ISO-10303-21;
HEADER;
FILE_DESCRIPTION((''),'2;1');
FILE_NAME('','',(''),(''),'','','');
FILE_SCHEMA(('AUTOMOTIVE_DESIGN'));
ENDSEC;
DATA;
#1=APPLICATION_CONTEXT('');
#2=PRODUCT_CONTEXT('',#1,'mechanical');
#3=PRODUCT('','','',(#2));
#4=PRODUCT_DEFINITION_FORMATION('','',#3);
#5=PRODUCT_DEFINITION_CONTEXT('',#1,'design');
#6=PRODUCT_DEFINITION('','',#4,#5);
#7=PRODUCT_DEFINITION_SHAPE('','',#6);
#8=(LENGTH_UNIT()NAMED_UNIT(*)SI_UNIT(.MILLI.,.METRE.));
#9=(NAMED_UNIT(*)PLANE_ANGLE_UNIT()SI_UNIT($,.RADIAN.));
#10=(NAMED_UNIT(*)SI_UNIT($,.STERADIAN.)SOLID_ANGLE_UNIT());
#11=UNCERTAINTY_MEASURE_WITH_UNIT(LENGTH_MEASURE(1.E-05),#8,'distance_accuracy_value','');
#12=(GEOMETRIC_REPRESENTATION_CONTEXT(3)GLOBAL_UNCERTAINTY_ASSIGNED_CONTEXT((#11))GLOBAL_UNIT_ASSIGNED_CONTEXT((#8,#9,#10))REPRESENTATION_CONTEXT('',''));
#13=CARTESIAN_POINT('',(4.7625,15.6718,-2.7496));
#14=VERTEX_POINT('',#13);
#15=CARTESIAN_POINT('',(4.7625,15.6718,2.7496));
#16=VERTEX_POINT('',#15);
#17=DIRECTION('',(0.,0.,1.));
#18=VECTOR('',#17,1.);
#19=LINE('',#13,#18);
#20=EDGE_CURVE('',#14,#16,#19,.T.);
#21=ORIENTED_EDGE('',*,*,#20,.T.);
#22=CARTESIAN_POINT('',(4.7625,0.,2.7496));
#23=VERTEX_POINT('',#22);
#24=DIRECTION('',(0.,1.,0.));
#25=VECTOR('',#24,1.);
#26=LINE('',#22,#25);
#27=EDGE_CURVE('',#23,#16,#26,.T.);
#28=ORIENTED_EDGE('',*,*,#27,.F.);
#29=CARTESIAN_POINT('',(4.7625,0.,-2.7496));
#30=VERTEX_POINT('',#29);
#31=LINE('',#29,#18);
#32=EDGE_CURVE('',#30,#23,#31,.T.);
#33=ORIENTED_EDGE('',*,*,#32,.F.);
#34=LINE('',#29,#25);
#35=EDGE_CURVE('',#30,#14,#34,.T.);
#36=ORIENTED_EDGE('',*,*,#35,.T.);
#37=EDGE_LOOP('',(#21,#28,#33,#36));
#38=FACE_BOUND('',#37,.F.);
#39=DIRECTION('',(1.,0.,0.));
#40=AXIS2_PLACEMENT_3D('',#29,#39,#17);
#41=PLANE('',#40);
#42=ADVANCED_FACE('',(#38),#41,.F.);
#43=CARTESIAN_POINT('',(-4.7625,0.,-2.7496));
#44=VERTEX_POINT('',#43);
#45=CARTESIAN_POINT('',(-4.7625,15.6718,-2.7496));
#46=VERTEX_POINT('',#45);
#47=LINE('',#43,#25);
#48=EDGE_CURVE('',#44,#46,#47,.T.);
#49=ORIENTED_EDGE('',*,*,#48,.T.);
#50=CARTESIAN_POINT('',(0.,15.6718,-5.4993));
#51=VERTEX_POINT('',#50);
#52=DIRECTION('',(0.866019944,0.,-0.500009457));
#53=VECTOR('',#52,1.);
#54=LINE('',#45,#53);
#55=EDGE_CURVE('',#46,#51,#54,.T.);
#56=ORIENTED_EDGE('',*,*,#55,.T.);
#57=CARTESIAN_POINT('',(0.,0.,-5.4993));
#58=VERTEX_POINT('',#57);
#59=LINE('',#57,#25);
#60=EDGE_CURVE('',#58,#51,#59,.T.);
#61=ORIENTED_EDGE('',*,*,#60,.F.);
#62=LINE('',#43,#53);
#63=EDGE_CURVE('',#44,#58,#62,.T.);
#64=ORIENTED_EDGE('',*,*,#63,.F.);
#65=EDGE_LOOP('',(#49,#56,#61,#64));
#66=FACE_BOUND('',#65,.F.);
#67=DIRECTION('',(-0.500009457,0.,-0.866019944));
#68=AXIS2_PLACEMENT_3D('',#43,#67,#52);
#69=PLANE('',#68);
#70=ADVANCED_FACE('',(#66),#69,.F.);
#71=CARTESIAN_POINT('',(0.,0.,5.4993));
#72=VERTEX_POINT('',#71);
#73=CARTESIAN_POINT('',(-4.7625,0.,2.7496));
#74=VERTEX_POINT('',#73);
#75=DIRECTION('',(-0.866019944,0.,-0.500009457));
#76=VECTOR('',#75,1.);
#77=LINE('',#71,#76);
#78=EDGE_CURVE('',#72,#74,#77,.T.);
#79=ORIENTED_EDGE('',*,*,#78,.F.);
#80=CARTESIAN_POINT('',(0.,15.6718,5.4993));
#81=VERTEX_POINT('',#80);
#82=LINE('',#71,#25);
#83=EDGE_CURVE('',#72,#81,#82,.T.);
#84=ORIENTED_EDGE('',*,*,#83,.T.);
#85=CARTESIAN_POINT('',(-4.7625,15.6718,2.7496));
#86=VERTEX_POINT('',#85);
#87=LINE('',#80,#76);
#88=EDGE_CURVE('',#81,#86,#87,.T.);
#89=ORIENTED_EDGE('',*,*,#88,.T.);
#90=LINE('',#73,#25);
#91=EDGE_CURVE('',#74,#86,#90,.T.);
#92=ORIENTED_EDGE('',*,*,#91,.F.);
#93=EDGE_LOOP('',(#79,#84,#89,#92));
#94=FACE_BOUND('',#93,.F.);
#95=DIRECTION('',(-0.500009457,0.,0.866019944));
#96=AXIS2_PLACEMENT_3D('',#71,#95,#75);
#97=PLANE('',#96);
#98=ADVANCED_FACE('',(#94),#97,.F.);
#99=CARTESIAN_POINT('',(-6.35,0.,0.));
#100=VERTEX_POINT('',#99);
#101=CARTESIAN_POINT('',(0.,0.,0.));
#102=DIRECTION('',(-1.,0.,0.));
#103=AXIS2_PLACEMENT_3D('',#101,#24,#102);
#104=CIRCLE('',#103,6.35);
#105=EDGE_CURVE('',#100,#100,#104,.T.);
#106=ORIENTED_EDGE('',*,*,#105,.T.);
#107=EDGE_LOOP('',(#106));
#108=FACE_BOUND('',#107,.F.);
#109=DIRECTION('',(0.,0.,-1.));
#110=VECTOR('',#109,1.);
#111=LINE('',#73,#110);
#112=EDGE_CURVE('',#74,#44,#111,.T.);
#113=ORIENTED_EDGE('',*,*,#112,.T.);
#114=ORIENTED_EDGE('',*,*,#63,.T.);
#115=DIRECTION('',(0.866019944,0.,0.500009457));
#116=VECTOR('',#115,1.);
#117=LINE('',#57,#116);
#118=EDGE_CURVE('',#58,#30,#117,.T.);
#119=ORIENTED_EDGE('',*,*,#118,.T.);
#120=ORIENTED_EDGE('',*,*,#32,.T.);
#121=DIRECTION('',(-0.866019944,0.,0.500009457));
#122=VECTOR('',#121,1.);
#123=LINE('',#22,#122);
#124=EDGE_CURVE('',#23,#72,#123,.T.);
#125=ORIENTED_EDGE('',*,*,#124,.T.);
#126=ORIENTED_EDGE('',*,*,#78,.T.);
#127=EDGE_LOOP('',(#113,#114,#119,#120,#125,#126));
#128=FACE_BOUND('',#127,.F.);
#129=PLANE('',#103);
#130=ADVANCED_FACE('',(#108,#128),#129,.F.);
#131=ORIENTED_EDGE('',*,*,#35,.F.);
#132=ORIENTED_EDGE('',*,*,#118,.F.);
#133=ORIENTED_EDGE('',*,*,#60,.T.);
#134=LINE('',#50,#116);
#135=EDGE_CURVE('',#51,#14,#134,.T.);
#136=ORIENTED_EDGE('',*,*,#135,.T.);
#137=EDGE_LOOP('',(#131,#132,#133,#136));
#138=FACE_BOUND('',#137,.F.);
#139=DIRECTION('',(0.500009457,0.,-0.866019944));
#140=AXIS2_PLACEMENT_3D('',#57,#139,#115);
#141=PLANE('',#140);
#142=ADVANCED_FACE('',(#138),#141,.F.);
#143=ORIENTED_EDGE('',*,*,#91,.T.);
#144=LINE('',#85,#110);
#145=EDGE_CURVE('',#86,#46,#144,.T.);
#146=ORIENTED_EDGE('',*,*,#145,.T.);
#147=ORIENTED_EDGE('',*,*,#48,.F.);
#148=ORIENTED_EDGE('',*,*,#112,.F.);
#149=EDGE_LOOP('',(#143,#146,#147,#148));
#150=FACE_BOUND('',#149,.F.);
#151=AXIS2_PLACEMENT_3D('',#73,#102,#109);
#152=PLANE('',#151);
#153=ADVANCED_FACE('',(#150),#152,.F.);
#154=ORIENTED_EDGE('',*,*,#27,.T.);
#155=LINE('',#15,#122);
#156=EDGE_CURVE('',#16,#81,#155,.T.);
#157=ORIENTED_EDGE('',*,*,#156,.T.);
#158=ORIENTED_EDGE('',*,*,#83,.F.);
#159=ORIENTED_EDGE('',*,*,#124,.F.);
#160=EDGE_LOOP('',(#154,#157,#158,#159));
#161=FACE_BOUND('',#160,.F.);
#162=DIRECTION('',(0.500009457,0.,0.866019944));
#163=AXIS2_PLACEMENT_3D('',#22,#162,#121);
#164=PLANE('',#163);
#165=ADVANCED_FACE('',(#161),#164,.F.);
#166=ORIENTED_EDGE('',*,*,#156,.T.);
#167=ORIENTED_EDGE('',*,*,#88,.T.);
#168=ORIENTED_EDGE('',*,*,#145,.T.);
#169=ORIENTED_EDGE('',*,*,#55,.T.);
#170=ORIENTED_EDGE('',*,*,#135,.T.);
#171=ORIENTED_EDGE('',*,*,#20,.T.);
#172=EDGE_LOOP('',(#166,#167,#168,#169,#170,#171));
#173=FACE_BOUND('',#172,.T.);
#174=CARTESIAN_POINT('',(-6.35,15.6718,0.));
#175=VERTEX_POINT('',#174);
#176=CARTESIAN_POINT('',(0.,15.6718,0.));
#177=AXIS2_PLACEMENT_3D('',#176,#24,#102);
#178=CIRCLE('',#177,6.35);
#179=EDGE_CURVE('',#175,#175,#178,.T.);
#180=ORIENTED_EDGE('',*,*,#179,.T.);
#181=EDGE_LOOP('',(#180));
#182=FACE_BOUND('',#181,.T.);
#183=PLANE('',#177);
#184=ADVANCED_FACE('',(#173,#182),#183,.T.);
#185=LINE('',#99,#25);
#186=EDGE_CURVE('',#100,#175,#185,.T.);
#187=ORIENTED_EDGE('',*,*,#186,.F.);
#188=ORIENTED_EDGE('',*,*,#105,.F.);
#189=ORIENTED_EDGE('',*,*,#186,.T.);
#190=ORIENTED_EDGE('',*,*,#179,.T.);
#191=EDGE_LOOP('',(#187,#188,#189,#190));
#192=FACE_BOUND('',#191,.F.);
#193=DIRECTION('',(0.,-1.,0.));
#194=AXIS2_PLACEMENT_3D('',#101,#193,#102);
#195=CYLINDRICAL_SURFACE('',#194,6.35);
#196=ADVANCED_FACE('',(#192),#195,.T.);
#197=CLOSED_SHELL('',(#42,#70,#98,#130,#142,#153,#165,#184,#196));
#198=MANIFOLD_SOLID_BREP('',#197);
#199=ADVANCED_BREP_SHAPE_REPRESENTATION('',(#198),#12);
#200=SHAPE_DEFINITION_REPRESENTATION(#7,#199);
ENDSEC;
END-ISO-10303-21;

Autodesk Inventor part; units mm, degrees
ref_plane "YZ Plane" through (0, 0, 0) normal (1, 0, 0) x (0, 1, 0)
ref_plane "XZ Plane" through (0, 0, 0) normal (0, 1, 0) x (-1, 0, 0)
ref_plane "XY Plane" through (0, 0, 0) normal (0, 0, 1) x (1, 0, 0)
sketch "Sketch1" plane through (0, 0, 0) normal (0, 1, 0) x (-1, 0, 0)
  line L0 (0, -5.4993) -> (-4.7625, -2.7496)
  line L1 (-4.7625, -2.7496) -> (-4.7625, 2.7496)
  line L2 (-4.7625, 2.7496) -> (0, 5.4993)
  line L3 (0, 5.4993) -> (4.7625, 2.7496)
  line L4 (4.7625, 2.7496) -> (4.7625, -2.7496)
  line L5 (4.7625, -2.7496) -> (0, -5.4993)
  circle A0 centre (0, 0) radius 6.35
  dimension "d0" = 9.525
  dimension "d1" = 12.7
extrude "Extrusion1" add sketch "Sketch1" along normal blind 15.6718
properties part number "ShortSpacer" material "ABS Plastic"
